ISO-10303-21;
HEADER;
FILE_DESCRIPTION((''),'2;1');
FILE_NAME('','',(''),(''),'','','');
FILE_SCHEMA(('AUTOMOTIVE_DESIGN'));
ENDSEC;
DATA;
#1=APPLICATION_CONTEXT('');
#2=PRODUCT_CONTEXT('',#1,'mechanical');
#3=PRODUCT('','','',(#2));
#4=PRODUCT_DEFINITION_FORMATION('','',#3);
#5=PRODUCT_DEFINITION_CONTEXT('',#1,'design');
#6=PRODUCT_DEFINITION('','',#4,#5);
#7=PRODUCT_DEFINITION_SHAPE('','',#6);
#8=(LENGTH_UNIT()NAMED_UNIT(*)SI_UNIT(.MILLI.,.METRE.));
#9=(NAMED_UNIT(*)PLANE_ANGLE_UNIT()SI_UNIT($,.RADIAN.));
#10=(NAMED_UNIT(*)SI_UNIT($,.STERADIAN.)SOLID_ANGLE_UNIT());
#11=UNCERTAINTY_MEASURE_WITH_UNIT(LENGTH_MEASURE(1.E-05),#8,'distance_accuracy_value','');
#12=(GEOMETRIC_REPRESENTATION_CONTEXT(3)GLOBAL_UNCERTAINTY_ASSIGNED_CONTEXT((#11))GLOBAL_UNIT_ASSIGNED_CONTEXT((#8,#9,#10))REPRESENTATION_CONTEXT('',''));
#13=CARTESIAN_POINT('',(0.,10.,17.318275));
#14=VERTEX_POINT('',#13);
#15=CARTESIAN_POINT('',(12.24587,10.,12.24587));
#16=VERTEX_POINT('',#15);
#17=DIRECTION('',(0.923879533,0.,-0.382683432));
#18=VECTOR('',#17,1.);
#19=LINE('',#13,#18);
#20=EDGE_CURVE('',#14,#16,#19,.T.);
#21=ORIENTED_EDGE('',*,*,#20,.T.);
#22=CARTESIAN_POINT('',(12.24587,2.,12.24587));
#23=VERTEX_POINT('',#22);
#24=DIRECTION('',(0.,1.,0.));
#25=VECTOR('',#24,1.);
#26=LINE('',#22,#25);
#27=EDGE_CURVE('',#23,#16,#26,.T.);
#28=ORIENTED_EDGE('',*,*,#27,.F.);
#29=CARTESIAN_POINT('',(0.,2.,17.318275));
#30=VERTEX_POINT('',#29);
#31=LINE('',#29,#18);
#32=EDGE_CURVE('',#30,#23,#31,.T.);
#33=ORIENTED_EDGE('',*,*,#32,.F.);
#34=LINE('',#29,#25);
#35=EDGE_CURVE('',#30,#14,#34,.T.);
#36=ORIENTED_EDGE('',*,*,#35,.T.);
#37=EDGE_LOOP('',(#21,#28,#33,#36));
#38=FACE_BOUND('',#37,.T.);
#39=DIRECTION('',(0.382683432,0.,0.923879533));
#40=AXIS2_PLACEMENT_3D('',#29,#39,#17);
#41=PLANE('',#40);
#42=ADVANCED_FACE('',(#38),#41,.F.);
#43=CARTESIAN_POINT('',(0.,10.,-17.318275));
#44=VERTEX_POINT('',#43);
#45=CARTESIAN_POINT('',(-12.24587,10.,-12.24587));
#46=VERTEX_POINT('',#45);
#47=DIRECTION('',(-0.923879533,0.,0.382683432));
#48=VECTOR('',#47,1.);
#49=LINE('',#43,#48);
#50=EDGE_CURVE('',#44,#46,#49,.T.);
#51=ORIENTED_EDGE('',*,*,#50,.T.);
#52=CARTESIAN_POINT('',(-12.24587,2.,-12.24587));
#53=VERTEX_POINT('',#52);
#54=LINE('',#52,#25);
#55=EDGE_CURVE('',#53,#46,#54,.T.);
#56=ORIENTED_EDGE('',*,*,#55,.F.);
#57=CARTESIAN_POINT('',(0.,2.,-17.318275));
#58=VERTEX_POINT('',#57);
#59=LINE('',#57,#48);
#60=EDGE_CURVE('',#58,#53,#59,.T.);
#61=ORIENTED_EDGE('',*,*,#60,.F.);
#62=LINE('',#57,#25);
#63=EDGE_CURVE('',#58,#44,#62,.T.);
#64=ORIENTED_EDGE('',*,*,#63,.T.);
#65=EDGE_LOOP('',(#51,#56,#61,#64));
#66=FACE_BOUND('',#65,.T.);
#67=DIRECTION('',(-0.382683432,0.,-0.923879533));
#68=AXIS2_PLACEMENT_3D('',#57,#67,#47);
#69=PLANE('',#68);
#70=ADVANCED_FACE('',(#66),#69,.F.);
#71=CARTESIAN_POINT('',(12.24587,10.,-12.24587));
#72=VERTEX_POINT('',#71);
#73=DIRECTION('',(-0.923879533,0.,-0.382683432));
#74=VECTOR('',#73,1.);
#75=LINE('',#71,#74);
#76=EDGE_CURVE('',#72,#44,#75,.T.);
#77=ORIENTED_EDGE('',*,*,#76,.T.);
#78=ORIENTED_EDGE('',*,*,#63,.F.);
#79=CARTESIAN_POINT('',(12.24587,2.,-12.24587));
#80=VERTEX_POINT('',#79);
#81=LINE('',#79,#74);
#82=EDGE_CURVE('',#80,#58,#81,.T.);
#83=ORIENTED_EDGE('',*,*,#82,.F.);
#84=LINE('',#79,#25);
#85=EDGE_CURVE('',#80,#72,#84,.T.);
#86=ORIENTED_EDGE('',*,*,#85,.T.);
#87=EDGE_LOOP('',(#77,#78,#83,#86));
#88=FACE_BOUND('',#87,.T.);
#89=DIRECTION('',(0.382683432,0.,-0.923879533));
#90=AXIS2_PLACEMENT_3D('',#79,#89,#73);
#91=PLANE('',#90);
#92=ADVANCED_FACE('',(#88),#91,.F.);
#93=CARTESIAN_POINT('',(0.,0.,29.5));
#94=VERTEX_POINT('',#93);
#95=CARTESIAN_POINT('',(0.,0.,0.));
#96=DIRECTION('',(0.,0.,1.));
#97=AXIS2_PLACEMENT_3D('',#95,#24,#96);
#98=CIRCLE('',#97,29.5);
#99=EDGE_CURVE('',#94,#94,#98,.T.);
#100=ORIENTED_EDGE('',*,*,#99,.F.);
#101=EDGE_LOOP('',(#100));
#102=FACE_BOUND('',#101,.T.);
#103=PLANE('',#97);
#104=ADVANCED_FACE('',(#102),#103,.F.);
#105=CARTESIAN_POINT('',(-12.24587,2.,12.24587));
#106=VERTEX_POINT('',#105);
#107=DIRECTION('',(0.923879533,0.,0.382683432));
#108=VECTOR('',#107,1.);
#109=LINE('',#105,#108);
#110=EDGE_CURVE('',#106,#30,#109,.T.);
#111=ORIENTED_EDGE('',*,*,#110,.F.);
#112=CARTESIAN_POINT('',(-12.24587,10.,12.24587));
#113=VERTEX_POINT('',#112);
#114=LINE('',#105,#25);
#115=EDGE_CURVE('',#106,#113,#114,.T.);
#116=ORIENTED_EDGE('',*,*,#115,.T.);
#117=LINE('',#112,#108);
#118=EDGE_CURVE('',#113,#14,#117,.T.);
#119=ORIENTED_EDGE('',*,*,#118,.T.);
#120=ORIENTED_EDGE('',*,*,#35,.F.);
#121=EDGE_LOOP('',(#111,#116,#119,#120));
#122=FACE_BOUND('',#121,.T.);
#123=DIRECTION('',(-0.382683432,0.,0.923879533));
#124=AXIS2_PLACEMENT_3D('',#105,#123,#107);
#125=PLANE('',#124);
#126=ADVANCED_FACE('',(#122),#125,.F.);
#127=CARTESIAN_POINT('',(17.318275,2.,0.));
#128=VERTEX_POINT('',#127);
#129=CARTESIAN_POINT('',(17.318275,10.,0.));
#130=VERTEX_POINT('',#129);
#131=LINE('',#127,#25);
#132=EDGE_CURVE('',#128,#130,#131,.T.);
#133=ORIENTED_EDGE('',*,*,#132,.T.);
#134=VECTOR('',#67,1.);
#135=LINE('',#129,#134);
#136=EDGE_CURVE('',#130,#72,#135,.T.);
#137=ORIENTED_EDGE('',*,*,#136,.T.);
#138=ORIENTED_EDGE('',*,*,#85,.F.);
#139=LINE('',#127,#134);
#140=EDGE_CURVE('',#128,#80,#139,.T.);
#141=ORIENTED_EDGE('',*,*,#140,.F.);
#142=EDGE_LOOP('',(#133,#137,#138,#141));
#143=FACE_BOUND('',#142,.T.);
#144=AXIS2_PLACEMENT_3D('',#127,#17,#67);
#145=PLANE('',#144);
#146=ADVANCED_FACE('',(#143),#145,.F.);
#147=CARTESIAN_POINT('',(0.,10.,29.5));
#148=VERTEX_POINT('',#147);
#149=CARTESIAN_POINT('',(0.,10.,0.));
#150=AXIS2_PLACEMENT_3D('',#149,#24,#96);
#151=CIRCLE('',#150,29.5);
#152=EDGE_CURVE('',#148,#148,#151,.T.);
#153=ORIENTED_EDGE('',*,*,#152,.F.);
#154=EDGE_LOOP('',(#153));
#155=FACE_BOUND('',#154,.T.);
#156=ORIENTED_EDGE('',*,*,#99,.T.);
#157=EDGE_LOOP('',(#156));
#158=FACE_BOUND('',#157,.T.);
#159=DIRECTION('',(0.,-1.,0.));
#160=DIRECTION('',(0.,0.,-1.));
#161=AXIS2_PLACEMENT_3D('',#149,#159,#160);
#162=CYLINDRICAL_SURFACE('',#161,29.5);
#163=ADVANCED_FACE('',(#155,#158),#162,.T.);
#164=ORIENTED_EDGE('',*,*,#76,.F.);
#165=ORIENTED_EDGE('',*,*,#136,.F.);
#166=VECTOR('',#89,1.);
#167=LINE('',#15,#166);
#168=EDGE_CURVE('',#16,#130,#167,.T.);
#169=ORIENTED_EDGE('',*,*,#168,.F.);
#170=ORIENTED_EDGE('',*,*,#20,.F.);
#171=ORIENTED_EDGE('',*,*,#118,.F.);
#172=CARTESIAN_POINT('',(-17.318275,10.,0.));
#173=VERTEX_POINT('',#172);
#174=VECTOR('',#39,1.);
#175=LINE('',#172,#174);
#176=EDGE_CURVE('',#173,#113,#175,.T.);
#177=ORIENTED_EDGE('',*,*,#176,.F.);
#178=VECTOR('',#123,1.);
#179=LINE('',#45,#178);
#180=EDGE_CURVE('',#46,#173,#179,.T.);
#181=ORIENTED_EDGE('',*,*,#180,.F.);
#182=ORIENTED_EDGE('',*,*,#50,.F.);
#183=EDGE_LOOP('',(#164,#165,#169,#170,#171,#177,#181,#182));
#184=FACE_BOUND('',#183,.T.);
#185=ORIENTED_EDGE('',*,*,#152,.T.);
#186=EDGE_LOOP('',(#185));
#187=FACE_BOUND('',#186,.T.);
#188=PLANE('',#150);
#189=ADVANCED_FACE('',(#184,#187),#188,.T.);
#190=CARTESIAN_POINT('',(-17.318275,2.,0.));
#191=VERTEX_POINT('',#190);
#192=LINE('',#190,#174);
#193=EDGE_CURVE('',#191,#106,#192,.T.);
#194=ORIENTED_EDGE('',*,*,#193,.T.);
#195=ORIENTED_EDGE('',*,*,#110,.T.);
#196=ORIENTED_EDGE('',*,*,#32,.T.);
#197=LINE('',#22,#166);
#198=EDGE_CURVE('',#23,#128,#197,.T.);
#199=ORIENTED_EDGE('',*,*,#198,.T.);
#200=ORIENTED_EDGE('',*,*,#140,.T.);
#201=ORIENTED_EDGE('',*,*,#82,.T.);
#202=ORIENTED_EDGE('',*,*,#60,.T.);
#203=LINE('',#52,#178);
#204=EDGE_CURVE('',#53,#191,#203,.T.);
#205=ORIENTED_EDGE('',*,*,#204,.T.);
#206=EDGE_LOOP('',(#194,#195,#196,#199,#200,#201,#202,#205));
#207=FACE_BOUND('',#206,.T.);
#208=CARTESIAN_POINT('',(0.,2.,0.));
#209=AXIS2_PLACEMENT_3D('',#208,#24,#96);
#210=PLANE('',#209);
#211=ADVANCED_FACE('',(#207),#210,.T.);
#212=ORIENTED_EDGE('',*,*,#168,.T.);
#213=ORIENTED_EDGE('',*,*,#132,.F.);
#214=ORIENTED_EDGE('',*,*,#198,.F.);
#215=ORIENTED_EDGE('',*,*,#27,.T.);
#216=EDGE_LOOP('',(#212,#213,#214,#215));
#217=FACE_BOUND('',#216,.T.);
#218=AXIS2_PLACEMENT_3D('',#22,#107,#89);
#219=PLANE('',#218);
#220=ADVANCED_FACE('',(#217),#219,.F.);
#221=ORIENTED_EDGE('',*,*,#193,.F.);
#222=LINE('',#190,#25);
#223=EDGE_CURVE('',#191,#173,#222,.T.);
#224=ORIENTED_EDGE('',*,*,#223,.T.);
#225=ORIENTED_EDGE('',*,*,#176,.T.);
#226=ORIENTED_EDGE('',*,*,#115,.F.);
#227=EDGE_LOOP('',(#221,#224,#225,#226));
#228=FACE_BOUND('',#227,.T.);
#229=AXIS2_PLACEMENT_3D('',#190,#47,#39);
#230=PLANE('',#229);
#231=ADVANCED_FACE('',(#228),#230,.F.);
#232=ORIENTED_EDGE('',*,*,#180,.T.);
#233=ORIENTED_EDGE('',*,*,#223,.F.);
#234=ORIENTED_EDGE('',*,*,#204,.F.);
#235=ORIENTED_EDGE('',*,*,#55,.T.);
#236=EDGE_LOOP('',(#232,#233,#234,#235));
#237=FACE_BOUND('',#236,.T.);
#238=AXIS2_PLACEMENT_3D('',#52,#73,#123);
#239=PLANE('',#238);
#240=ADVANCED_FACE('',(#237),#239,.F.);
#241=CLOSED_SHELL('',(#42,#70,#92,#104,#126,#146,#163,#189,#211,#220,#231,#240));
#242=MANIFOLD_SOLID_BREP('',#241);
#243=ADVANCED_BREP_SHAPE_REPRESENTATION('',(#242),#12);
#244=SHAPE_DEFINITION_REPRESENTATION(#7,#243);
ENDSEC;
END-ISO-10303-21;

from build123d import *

# Parameters (mm, degrees)
SKETCH1_R           = 29.5
BOSS_EXTRUDE1_DEPTH = 10
CUT_EXTRUDE1_DEPTH  = 8


with BuildPart() as part:
    # Sketch1 → Boss-Extrude1 (new body)
    with BuildSketch(Plane(origin=(0, 0, 0), x_dir=(1, 0, 0), z_dir=(0, 1, 0))):
        with Locations(Location((0, 0, 0), (0, 0, 270))):
            Circle(SKETCH1_R)
    extrude(amount=BOSS_EXTRUDE1_DEPTH)

    # Sketch2 → Cut-Extrude1 (cut)
    with BuildSketch(Plane(origin=(0, 10, 0), x_dir=(1, 0, 0), z_dir=(0, 1, 0))):
        Polygon((12.245869836, 12.245869836), (0, 17.318275205), (-12.245869836, 12.245869836), (-17.318275205, 0), (-12.245869836, -12.245869836), (0, -17.318275205), (12.245869836, -12.245869836), (17.318275205, 0), align=None)
    extrude(amount=-CUT_EXTRUDE1_DEPTH, mode=Mode.SUBTRACT)


solid = part.part
